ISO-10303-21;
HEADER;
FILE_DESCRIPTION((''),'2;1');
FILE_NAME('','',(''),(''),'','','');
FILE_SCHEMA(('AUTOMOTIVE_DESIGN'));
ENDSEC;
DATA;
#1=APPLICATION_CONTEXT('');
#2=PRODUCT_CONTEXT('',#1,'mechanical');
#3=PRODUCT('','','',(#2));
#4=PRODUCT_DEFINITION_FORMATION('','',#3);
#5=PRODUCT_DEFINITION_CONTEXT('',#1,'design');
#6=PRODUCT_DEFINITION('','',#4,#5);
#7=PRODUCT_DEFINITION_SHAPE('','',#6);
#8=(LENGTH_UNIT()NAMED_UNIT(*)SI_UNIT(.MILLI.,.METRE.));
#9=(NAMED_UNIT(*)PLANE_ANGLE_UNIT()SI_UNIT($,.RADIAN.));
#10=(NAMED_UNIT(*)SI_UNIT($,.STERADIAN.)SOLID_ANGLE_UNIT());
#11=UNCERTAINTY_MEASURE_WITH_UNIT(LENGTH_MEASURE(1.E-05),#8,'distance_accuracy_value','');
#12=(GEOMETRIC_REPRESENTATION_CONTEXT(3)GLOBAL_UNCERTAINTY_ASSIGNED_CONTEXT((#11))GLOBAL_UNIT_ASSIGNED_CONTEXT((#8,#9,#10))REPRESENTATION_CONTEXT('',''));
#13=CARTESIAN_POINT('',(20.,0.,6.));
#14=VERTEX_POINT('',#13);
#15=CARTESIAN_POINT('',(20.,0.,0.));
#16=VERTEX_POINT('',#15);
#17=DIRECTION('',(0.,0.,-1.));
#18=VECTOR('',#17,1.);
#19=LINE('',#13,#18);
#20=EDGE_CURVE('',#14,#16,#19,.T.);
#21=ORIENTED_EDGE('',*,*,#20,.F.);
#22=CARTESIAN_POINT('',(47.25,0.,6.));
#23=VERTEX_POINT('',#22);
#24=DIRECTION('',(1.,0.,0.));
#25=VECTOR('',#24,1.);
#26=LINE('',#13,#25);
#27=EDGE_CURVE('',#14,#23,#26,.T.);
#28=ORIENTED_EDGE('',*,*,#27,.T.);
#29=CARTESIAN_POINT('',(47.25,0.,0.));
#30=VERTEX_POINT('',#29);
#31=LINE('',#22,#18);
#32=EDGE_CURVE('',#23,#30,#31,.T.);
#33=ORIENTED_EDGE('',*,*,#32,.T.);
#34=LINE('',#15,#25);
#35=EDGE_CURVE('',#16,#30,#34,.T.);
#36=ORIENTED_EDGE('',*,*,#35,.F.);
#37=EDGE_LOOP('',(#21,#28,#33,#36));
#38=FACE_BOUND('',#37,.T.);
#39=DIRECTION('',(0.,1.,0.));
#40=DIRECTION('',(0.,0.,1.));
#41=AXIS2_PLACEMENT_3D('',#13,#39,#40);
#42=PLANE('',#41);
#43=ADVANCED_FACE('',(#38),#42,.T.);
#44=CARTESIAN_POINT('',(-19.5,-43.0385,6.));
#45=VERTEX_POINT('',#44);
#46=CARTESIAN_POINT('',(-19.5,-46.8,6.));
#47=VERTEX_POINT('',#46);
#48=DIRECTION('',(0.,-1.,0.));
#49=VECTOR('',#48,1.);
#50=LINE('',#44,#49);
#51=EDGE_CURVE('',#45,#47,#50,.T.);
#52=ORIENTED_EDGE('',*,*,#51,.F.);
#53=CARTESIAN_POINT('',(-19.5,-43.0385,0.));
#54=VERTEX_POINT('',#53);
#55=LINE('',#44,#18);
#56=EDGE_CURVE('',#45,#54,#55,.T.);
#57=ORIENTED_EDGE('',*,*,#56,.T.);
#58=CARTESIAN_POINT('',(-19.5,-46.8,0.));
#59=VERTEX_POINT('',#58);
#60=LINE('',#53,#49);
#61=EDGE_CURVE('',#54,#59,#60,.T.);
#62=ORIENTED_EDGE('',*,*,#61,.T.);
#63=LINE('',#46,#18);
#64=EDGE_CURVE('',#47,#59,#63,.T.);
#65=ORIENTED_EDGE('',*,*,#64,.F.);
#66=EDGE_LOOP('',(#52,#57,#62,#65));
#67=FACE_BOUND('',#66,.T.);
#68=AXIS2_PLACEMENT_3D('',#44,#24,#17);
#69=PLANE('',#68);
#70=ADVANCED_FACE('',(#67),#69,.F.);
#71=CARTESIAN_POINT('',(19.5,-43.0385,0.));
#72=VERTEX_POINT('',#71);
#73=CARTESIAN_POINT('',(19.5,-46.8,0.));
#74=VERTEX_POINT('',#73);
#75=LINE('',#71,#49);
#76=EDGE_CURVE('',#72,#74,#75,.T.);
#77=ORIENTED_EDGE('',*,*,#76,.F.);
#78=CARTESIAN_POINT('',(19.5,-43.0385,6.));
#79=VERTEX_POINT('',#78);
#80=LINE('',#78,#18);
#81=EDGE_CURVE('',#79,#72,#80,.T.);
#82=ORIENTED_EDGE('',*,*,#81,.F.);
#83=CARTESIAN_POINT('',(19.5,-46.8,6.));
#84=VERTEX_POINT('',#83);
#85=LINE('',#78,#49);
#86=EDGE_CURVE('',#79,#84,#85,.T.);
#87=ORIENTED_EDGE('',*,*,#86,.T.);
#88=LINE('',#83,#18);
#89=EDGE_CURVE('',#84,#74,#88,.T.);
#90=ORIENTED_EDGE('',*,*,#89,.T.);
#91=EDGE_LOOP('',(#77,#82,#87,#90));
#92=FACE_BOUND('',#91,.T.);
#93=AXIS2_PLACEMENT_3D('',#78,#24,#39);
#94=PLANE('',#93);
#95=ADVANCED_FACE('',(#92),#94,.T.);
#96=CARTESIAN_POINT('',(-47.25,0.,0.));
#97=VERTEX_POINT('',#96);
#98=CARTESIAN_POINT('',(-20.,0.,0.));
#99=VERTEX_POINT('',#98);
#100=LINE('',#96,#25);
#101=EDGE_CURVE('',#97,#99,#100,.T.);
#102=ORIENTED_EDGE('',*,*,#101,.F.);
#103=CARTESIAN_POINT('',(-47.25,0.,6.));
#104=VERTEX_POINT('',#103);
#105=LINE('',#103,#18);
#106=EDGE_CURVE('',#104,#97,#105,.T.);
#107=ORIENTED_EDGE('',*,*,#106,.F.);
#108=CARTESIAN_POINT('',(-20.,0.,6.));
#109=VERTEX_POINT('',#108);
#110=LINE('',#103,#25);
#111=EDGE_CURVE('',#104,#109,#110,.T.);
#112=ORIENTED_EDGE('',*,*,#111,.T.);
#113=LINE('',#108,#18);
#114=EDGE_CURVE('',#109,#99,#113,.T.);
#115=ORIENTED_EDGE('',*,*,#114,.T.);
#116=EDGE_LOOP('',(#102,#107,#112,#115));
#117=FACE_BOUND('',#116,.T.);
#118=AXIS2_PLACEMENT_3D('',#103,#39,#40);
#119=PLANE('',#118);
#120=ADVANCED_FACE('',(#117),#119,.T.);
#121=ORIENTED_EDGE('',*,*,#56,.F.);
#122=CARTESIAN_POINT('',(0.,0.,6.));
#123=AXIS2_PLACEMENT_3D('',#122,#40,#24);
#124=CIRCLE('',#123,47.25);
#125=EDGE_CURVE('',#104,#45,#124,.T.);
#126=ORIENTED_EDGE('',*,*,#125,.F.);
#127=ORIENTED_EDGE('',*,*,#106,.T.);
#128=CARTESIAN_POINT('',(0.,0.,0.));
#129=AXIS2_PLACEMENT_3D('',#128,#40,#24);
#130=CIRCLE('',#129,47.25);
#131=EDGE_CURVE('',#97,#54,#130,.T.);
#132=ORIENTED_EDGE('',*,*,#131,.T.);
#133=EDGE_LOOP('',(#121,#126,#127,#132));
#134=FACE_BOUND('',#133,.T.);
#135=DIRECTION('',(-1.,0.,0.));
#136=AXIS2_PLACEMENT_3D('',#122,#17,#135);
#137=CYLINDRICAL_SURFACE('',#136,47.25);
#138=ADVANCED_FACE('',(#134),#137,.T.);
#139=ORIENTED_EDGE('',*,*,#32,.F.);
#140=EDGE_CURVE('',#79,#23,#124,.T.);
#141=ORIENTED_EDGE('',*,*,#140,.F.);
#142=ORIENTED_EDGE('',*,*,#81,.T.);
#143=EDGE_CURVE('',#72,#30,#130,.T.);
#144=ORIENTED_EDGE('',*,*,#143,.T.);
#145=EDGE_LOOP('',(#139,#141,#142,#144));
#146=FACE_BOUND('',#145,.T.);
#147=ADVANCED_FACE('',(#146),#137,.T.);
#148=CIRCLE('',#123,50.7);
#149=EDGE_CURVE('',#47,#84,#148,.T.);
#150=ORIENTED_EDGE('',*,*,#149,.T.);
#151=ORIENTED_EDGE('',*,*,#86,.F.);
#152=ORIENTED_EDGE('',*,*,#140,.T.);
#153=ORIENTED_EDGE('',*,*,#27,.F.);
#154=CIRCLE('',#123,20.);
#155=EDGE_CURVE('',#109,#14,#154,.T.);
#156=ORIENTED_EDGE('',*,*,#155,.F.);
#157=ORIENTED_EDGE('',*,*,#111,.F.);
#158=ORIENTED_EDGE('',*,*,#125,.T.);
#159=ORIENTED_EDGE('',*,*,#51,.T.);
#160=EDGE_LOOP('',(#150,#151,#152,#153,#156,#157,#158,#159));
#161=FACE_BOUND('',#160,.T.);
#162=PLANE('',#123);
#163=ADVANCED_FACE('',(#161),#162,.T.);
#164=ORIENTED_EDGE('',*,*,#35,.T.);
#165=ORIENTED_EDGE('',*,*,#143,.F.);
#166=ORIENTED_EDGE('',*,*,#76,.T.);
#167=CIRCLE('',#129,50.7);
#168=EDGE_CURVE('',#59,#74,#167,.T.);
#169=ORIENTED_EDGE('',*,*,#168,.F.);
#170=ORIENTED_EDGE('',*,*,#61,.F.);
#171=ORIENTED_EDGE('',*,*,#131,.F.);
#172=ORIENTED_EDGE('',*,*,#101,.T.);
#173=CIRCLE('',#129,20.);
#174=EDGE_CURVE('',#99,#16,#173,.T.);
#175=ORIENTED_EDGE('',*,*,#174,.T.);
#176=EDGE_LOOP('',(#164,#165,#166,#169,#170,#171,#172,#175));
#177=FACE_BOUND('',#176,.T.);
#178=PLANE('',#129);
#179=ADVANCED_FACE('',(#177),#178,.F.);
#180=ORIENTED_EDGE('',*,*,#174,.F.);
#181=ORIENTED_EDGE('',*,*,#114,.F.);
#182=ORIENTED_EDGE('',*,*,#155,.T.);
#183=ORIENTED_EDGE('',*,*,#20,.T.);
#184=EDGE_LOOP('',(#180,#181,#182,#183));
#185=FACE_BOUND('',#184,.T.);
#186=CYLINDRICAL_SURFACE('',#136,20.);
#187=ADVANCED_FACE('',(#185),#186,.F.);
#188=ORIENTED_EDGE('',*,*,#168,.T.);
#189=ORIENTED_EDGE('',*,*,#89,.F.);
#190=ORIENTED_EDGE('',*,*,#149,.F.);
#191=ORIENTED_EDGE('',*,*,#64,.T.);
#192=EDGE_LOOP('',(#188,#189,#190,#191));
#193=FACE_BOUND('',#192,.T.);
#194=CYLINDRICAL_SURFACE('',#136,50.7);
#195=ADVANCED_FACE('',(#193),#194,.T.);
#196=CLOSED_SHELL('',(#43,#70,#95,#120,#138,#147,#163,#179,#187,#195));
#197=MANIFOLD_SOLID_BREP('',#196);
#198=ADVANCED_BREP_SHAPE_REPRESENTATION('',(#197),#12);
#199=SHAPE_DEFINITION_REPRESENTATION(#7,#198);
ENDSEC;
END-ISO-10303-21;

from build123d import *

# Parameters (mm, degrees)
BOSS_EXTRUDE1_DEPTH = 6


with BuildPart() as part:
    # Sketch1 → Boss-Extrude1 (new body)
    with BuildSketch(Plane.XY):
        with BuildLine():
            Line((-47.25, 0), (-20, 0))
            ThreePointArc((-20, 0), (0, -20), (20, 0))
            Line((20, 0), (47.25, 0))
            ThreePointArc((47.25, 0), (39.711065838, -25.604565023), (19.5, -43.038500206))
            Line((19.5, -43.038500206), (19.5, -46.8))
            ThreePointArc((19.5, -46.8), (0, -50.7), (-19.5, -46.8))
            Line((-19.5, -46.8), (-19.5, -43.038500206))
            ThreePointArc((-19.5, -43.038500206), (-39.711065838, -25.604565023), (-47.25, 0))
        make_face()
    extrude(amount=BOSS_EXTRUDE1_DEPTH)


solid = part.part
